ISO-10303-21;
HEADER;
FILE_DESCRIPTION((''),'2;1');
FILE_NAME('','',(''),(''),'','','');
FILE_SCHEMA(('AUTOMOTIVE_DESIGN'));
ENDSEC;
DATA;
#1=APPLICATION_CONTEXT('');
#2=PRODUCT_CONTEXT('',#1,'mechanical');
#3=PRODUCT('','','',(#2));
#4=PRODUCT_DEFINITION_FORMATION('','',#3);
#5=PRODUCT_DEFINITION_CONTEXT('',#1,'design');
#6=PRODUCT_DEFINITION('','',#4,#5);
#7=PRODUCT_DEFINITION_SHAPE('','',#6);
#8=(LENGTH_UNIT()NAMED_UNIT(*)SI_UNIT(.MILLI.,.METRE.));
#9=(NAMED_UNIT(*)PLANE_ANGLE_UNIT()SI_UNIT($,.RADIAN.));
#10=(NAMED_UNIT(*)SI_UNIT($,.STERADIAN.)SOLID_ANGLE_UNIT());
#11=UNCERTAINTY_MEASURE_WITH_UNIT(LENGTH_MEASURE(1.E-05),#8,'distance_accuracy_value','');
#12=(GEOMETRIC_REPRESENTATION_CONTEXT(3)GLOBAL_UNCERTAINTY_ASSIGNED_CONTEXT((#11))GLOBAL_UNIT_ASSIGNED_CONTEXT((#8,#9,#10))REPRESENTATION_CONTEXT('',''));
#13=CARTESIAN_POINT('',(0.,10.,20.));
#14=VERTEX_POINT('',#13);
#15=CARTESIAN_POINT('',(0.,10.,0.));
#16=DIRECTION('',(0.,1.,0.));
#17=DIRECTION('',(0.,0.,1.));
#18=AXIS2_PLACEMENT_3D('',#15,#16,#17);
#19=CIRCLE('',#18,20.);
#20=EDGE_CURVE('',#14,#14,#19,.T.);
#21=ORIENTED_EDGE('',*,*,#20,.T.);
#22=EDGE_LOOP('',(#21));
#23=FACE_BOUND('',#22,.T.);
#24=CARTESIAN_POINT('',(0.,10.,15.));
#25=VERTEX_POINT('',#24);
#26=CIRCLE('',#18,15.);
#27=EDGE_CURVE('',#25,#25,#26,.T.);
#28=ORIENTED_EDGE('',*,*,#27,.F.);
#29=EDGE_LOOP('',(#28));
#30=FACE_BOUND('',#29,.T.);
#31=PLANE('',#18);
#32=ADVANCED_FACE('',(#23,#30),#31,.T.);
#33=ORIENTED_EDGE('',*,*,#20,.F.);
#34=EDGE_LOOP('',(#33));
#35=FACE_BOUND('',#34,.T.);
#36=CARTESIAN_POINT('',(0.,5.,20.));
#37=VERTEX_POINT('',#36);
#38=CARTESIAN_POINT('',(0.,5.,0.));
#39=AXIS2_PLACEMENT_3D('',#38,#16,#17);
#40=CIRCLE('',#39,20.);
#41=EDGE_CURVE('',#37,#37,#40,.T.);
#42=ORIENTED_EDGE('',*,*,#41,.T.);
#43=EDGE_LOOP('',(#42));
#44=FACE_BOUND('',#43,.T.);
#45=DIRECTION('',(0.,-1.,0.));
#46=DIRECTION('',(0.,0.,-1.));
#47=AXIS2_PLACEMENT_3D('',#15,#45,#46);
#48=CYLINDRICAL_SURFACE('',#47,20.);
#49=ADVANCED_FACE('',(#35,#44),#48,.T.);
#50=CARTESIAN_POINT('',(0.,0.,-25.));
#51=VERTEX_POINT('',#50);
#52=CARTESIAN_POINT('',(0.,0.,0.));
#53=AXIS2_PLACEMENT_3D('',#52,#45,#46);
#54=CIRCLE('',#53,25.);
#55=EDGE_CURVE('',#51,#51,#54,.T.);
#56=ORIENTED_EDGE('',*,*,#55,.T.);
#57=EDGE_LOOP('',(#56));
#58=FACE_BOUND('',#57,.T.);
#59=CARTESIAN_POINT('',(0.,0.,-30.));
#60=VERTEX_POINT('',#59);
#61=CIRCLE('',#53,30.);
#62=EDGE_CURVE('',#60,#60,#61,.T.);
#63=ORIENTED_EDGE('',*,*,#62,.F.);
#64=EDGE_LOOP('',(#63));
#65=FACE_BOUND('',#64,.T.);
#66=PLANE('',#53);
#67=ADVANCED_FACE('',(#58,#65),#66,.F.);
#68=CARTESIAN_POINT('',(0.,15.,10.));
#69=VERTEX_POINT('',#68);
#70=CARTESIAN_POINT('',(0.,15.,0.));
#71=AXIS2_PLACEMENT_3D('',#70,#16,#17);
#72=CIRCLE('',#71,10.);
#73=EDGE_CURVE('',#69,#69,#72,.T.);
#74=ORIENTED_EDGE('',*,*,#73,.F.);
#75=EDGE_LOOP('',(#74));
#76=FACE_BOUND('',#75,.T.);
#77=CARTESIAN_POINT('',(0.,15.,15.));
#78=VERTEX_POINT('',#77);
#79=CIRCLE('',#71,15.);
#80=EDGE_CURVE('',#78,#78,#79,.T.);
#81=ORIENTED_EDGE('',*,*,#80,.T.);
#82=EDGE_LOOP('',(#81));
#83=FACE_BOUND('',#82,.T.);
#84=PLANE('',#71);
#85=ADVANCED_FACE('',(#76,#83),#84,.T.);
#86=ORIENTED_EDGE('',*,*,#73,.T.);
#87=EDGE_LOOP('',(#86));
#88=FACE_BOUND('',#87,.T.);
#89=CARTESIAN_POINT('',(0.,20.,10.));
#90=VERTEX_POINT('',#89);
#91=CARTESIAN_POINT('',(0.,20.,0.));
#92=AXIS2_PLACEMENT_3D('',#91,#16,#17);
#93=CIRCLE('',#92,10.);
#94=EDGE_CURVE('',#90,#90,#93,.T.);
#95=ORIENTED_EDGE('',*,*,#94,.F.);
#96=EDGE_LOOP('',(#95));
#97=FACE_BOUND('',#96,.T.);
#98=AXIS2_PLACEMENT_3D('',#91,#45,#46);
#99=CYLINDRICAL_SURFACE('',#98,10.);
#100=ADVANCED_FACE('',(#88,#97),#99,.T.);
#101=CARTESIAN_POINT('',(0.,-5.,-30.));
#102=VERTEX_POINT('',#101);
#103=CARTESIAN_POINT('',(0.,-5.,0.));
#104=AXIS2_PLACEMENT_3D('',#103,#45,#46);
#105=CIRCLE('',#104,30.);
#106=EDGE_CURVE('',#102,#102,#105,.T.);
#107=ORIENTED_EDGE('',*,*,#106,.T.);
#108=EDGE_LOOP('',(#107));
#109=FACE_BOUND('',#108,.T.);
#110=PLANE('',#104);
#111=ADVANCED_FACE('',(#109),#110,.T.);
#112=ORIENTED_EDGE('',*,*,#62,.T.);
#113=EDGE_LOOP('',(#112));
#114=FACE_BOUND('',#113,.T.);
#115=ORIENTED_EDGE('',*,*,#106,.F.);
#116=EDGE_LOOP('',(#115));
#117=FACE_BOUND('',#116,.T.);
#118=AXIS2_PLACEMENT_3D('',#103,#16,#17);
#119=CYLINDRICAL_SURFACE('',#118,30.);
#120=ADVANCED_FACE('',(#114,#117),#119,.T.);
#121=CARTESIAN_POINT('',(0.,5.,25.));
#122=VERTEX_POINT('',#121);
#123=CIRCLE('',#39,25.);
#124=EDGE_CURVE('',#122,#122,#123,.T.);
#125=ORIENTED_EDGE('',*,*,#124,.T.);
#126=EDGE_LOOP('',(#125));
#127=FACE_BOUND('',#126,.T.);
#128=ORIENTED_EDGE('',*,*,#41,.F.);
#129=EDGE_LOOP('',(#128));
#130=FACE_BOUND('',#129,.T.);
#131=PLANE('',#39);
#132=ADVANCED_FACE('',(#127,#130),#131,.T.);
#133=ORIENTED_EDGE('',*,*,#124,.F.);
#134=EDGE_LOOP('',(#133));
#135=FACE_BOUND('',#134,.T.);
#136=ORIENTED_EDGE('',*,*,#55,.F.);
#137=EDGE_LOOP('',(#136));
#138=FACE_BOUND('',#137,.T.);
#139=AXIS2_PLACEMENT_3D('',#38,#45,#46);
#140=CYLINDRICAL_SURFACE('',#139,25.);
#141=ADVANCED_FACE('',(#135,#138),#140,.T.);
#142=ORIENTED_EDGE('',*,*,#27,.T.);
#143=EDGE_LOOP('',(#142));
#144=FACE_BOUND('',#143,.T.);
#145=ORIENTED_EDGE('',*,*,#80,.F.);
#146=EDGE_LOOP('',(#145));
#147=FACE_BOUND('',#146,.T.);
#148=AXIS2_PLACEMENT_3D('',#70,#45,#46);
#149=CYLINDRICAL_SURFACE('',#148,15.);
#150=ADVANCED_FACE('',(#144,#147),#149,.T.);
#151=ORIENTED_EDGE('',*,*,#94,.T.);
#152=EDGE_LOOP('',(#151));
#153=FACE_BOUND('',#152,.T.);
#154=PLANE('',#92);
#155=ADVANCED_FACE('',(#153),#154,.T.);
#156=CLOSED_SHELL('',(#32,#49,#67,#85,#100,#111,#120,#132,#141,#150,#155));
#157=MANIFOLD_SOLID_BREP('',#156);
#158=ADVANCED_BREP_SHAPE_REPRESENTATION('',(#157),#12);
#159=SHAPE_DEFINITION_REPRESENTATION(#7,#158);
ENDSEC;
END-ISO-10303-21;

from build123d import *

# Parameters (mm, degrees)
SCHIZZO1_R                   = 25
ESTRUSIONE_ESTRUSIONE1_DEPTH = 5
SCHIZZO2_R                   = 20
ESTRUSIONE_ESTRUSIONE2_DEPTH = 5
SCHIZZO3_R                   = 15
ESTRUSIONE_ESTRUSIONE3_DEPTH = 5
SCHIZZO4_R                   = 10
ESTRUSIONE_ESTRUSIONE4_DEPTH = 5
SCHIZZO6_R                   = 30
ESTRUSIONE_ESTRUSIONE6_DEPTH = 5


with BuildPart() as part:
    # Schizzo1 → Estrusione-Estrusione1 (new body)
    with BuildSketch(Plane(origin=(0, 0, 0), x_dir=(1, 0, 0), z_dir=(0, 1, 0))):
        with Locations(Location((0, 0, 0), (0, 0, 270))):
            Circle(SCHIZZO1_R)
    extrude(amount=ESTRUSIONE_ESTRUSIONE1_DEPTH)

    # Schizzo2 → Estrusione-Estrusione2 (add)
    with BuildSketch(Plane(origin=(0, 5, 0), x_dir=(1, 0, 0), z_dir=(0, 1, 0))):
        with Locations(Location((0, 0, 0), (0, 0, 270))):
            Circle(SCHIZZO2_R)
    extrude(amount=ESTRUSIONE_ESTRUSIONE2_DEPTH)

    # Schizzo3 → Estrusione-Estrusione3 (add)
    with BuildSketch(Plane(origin=(0, 10, 0), x_dir=(1, 0, 0), z_dir=(0, 1, 0))):
        with Locations(Location((0, 0, 0), (0, 0, 270))):
            Circle(SCHIZZO3_R)
    extrude(amount=ESTRUSIONE_ESTRUSIONE3_DEPTH)

    # Schizzo4 → Estrusione-Estrusione4 (add)
    with BuildSketch(Plane(origin=(0, 15, 0), x_dir=(1, 0, 0), z_dir=(0, 1, 0))):
        with Locations(Location((0, 0, 0), (0, 0, 270))):
            Circle(SCHIZZO4_R)
    extrude(amount=ESTRUSIONE_ESTRUSIONE4_DEPTH)

    # Schizzo6 → Estrusione-Estrusione6 (add)
    with BuildSketch(Plane.XZ):
        with Locations(Location((0, 0, 0), (0, 0, 270))):
            Circle(SCHIZZO6_R)
    extrude(amount=ESTRUSIONE_ESTRUSIONE6_DEPTH)


solid = part.part
